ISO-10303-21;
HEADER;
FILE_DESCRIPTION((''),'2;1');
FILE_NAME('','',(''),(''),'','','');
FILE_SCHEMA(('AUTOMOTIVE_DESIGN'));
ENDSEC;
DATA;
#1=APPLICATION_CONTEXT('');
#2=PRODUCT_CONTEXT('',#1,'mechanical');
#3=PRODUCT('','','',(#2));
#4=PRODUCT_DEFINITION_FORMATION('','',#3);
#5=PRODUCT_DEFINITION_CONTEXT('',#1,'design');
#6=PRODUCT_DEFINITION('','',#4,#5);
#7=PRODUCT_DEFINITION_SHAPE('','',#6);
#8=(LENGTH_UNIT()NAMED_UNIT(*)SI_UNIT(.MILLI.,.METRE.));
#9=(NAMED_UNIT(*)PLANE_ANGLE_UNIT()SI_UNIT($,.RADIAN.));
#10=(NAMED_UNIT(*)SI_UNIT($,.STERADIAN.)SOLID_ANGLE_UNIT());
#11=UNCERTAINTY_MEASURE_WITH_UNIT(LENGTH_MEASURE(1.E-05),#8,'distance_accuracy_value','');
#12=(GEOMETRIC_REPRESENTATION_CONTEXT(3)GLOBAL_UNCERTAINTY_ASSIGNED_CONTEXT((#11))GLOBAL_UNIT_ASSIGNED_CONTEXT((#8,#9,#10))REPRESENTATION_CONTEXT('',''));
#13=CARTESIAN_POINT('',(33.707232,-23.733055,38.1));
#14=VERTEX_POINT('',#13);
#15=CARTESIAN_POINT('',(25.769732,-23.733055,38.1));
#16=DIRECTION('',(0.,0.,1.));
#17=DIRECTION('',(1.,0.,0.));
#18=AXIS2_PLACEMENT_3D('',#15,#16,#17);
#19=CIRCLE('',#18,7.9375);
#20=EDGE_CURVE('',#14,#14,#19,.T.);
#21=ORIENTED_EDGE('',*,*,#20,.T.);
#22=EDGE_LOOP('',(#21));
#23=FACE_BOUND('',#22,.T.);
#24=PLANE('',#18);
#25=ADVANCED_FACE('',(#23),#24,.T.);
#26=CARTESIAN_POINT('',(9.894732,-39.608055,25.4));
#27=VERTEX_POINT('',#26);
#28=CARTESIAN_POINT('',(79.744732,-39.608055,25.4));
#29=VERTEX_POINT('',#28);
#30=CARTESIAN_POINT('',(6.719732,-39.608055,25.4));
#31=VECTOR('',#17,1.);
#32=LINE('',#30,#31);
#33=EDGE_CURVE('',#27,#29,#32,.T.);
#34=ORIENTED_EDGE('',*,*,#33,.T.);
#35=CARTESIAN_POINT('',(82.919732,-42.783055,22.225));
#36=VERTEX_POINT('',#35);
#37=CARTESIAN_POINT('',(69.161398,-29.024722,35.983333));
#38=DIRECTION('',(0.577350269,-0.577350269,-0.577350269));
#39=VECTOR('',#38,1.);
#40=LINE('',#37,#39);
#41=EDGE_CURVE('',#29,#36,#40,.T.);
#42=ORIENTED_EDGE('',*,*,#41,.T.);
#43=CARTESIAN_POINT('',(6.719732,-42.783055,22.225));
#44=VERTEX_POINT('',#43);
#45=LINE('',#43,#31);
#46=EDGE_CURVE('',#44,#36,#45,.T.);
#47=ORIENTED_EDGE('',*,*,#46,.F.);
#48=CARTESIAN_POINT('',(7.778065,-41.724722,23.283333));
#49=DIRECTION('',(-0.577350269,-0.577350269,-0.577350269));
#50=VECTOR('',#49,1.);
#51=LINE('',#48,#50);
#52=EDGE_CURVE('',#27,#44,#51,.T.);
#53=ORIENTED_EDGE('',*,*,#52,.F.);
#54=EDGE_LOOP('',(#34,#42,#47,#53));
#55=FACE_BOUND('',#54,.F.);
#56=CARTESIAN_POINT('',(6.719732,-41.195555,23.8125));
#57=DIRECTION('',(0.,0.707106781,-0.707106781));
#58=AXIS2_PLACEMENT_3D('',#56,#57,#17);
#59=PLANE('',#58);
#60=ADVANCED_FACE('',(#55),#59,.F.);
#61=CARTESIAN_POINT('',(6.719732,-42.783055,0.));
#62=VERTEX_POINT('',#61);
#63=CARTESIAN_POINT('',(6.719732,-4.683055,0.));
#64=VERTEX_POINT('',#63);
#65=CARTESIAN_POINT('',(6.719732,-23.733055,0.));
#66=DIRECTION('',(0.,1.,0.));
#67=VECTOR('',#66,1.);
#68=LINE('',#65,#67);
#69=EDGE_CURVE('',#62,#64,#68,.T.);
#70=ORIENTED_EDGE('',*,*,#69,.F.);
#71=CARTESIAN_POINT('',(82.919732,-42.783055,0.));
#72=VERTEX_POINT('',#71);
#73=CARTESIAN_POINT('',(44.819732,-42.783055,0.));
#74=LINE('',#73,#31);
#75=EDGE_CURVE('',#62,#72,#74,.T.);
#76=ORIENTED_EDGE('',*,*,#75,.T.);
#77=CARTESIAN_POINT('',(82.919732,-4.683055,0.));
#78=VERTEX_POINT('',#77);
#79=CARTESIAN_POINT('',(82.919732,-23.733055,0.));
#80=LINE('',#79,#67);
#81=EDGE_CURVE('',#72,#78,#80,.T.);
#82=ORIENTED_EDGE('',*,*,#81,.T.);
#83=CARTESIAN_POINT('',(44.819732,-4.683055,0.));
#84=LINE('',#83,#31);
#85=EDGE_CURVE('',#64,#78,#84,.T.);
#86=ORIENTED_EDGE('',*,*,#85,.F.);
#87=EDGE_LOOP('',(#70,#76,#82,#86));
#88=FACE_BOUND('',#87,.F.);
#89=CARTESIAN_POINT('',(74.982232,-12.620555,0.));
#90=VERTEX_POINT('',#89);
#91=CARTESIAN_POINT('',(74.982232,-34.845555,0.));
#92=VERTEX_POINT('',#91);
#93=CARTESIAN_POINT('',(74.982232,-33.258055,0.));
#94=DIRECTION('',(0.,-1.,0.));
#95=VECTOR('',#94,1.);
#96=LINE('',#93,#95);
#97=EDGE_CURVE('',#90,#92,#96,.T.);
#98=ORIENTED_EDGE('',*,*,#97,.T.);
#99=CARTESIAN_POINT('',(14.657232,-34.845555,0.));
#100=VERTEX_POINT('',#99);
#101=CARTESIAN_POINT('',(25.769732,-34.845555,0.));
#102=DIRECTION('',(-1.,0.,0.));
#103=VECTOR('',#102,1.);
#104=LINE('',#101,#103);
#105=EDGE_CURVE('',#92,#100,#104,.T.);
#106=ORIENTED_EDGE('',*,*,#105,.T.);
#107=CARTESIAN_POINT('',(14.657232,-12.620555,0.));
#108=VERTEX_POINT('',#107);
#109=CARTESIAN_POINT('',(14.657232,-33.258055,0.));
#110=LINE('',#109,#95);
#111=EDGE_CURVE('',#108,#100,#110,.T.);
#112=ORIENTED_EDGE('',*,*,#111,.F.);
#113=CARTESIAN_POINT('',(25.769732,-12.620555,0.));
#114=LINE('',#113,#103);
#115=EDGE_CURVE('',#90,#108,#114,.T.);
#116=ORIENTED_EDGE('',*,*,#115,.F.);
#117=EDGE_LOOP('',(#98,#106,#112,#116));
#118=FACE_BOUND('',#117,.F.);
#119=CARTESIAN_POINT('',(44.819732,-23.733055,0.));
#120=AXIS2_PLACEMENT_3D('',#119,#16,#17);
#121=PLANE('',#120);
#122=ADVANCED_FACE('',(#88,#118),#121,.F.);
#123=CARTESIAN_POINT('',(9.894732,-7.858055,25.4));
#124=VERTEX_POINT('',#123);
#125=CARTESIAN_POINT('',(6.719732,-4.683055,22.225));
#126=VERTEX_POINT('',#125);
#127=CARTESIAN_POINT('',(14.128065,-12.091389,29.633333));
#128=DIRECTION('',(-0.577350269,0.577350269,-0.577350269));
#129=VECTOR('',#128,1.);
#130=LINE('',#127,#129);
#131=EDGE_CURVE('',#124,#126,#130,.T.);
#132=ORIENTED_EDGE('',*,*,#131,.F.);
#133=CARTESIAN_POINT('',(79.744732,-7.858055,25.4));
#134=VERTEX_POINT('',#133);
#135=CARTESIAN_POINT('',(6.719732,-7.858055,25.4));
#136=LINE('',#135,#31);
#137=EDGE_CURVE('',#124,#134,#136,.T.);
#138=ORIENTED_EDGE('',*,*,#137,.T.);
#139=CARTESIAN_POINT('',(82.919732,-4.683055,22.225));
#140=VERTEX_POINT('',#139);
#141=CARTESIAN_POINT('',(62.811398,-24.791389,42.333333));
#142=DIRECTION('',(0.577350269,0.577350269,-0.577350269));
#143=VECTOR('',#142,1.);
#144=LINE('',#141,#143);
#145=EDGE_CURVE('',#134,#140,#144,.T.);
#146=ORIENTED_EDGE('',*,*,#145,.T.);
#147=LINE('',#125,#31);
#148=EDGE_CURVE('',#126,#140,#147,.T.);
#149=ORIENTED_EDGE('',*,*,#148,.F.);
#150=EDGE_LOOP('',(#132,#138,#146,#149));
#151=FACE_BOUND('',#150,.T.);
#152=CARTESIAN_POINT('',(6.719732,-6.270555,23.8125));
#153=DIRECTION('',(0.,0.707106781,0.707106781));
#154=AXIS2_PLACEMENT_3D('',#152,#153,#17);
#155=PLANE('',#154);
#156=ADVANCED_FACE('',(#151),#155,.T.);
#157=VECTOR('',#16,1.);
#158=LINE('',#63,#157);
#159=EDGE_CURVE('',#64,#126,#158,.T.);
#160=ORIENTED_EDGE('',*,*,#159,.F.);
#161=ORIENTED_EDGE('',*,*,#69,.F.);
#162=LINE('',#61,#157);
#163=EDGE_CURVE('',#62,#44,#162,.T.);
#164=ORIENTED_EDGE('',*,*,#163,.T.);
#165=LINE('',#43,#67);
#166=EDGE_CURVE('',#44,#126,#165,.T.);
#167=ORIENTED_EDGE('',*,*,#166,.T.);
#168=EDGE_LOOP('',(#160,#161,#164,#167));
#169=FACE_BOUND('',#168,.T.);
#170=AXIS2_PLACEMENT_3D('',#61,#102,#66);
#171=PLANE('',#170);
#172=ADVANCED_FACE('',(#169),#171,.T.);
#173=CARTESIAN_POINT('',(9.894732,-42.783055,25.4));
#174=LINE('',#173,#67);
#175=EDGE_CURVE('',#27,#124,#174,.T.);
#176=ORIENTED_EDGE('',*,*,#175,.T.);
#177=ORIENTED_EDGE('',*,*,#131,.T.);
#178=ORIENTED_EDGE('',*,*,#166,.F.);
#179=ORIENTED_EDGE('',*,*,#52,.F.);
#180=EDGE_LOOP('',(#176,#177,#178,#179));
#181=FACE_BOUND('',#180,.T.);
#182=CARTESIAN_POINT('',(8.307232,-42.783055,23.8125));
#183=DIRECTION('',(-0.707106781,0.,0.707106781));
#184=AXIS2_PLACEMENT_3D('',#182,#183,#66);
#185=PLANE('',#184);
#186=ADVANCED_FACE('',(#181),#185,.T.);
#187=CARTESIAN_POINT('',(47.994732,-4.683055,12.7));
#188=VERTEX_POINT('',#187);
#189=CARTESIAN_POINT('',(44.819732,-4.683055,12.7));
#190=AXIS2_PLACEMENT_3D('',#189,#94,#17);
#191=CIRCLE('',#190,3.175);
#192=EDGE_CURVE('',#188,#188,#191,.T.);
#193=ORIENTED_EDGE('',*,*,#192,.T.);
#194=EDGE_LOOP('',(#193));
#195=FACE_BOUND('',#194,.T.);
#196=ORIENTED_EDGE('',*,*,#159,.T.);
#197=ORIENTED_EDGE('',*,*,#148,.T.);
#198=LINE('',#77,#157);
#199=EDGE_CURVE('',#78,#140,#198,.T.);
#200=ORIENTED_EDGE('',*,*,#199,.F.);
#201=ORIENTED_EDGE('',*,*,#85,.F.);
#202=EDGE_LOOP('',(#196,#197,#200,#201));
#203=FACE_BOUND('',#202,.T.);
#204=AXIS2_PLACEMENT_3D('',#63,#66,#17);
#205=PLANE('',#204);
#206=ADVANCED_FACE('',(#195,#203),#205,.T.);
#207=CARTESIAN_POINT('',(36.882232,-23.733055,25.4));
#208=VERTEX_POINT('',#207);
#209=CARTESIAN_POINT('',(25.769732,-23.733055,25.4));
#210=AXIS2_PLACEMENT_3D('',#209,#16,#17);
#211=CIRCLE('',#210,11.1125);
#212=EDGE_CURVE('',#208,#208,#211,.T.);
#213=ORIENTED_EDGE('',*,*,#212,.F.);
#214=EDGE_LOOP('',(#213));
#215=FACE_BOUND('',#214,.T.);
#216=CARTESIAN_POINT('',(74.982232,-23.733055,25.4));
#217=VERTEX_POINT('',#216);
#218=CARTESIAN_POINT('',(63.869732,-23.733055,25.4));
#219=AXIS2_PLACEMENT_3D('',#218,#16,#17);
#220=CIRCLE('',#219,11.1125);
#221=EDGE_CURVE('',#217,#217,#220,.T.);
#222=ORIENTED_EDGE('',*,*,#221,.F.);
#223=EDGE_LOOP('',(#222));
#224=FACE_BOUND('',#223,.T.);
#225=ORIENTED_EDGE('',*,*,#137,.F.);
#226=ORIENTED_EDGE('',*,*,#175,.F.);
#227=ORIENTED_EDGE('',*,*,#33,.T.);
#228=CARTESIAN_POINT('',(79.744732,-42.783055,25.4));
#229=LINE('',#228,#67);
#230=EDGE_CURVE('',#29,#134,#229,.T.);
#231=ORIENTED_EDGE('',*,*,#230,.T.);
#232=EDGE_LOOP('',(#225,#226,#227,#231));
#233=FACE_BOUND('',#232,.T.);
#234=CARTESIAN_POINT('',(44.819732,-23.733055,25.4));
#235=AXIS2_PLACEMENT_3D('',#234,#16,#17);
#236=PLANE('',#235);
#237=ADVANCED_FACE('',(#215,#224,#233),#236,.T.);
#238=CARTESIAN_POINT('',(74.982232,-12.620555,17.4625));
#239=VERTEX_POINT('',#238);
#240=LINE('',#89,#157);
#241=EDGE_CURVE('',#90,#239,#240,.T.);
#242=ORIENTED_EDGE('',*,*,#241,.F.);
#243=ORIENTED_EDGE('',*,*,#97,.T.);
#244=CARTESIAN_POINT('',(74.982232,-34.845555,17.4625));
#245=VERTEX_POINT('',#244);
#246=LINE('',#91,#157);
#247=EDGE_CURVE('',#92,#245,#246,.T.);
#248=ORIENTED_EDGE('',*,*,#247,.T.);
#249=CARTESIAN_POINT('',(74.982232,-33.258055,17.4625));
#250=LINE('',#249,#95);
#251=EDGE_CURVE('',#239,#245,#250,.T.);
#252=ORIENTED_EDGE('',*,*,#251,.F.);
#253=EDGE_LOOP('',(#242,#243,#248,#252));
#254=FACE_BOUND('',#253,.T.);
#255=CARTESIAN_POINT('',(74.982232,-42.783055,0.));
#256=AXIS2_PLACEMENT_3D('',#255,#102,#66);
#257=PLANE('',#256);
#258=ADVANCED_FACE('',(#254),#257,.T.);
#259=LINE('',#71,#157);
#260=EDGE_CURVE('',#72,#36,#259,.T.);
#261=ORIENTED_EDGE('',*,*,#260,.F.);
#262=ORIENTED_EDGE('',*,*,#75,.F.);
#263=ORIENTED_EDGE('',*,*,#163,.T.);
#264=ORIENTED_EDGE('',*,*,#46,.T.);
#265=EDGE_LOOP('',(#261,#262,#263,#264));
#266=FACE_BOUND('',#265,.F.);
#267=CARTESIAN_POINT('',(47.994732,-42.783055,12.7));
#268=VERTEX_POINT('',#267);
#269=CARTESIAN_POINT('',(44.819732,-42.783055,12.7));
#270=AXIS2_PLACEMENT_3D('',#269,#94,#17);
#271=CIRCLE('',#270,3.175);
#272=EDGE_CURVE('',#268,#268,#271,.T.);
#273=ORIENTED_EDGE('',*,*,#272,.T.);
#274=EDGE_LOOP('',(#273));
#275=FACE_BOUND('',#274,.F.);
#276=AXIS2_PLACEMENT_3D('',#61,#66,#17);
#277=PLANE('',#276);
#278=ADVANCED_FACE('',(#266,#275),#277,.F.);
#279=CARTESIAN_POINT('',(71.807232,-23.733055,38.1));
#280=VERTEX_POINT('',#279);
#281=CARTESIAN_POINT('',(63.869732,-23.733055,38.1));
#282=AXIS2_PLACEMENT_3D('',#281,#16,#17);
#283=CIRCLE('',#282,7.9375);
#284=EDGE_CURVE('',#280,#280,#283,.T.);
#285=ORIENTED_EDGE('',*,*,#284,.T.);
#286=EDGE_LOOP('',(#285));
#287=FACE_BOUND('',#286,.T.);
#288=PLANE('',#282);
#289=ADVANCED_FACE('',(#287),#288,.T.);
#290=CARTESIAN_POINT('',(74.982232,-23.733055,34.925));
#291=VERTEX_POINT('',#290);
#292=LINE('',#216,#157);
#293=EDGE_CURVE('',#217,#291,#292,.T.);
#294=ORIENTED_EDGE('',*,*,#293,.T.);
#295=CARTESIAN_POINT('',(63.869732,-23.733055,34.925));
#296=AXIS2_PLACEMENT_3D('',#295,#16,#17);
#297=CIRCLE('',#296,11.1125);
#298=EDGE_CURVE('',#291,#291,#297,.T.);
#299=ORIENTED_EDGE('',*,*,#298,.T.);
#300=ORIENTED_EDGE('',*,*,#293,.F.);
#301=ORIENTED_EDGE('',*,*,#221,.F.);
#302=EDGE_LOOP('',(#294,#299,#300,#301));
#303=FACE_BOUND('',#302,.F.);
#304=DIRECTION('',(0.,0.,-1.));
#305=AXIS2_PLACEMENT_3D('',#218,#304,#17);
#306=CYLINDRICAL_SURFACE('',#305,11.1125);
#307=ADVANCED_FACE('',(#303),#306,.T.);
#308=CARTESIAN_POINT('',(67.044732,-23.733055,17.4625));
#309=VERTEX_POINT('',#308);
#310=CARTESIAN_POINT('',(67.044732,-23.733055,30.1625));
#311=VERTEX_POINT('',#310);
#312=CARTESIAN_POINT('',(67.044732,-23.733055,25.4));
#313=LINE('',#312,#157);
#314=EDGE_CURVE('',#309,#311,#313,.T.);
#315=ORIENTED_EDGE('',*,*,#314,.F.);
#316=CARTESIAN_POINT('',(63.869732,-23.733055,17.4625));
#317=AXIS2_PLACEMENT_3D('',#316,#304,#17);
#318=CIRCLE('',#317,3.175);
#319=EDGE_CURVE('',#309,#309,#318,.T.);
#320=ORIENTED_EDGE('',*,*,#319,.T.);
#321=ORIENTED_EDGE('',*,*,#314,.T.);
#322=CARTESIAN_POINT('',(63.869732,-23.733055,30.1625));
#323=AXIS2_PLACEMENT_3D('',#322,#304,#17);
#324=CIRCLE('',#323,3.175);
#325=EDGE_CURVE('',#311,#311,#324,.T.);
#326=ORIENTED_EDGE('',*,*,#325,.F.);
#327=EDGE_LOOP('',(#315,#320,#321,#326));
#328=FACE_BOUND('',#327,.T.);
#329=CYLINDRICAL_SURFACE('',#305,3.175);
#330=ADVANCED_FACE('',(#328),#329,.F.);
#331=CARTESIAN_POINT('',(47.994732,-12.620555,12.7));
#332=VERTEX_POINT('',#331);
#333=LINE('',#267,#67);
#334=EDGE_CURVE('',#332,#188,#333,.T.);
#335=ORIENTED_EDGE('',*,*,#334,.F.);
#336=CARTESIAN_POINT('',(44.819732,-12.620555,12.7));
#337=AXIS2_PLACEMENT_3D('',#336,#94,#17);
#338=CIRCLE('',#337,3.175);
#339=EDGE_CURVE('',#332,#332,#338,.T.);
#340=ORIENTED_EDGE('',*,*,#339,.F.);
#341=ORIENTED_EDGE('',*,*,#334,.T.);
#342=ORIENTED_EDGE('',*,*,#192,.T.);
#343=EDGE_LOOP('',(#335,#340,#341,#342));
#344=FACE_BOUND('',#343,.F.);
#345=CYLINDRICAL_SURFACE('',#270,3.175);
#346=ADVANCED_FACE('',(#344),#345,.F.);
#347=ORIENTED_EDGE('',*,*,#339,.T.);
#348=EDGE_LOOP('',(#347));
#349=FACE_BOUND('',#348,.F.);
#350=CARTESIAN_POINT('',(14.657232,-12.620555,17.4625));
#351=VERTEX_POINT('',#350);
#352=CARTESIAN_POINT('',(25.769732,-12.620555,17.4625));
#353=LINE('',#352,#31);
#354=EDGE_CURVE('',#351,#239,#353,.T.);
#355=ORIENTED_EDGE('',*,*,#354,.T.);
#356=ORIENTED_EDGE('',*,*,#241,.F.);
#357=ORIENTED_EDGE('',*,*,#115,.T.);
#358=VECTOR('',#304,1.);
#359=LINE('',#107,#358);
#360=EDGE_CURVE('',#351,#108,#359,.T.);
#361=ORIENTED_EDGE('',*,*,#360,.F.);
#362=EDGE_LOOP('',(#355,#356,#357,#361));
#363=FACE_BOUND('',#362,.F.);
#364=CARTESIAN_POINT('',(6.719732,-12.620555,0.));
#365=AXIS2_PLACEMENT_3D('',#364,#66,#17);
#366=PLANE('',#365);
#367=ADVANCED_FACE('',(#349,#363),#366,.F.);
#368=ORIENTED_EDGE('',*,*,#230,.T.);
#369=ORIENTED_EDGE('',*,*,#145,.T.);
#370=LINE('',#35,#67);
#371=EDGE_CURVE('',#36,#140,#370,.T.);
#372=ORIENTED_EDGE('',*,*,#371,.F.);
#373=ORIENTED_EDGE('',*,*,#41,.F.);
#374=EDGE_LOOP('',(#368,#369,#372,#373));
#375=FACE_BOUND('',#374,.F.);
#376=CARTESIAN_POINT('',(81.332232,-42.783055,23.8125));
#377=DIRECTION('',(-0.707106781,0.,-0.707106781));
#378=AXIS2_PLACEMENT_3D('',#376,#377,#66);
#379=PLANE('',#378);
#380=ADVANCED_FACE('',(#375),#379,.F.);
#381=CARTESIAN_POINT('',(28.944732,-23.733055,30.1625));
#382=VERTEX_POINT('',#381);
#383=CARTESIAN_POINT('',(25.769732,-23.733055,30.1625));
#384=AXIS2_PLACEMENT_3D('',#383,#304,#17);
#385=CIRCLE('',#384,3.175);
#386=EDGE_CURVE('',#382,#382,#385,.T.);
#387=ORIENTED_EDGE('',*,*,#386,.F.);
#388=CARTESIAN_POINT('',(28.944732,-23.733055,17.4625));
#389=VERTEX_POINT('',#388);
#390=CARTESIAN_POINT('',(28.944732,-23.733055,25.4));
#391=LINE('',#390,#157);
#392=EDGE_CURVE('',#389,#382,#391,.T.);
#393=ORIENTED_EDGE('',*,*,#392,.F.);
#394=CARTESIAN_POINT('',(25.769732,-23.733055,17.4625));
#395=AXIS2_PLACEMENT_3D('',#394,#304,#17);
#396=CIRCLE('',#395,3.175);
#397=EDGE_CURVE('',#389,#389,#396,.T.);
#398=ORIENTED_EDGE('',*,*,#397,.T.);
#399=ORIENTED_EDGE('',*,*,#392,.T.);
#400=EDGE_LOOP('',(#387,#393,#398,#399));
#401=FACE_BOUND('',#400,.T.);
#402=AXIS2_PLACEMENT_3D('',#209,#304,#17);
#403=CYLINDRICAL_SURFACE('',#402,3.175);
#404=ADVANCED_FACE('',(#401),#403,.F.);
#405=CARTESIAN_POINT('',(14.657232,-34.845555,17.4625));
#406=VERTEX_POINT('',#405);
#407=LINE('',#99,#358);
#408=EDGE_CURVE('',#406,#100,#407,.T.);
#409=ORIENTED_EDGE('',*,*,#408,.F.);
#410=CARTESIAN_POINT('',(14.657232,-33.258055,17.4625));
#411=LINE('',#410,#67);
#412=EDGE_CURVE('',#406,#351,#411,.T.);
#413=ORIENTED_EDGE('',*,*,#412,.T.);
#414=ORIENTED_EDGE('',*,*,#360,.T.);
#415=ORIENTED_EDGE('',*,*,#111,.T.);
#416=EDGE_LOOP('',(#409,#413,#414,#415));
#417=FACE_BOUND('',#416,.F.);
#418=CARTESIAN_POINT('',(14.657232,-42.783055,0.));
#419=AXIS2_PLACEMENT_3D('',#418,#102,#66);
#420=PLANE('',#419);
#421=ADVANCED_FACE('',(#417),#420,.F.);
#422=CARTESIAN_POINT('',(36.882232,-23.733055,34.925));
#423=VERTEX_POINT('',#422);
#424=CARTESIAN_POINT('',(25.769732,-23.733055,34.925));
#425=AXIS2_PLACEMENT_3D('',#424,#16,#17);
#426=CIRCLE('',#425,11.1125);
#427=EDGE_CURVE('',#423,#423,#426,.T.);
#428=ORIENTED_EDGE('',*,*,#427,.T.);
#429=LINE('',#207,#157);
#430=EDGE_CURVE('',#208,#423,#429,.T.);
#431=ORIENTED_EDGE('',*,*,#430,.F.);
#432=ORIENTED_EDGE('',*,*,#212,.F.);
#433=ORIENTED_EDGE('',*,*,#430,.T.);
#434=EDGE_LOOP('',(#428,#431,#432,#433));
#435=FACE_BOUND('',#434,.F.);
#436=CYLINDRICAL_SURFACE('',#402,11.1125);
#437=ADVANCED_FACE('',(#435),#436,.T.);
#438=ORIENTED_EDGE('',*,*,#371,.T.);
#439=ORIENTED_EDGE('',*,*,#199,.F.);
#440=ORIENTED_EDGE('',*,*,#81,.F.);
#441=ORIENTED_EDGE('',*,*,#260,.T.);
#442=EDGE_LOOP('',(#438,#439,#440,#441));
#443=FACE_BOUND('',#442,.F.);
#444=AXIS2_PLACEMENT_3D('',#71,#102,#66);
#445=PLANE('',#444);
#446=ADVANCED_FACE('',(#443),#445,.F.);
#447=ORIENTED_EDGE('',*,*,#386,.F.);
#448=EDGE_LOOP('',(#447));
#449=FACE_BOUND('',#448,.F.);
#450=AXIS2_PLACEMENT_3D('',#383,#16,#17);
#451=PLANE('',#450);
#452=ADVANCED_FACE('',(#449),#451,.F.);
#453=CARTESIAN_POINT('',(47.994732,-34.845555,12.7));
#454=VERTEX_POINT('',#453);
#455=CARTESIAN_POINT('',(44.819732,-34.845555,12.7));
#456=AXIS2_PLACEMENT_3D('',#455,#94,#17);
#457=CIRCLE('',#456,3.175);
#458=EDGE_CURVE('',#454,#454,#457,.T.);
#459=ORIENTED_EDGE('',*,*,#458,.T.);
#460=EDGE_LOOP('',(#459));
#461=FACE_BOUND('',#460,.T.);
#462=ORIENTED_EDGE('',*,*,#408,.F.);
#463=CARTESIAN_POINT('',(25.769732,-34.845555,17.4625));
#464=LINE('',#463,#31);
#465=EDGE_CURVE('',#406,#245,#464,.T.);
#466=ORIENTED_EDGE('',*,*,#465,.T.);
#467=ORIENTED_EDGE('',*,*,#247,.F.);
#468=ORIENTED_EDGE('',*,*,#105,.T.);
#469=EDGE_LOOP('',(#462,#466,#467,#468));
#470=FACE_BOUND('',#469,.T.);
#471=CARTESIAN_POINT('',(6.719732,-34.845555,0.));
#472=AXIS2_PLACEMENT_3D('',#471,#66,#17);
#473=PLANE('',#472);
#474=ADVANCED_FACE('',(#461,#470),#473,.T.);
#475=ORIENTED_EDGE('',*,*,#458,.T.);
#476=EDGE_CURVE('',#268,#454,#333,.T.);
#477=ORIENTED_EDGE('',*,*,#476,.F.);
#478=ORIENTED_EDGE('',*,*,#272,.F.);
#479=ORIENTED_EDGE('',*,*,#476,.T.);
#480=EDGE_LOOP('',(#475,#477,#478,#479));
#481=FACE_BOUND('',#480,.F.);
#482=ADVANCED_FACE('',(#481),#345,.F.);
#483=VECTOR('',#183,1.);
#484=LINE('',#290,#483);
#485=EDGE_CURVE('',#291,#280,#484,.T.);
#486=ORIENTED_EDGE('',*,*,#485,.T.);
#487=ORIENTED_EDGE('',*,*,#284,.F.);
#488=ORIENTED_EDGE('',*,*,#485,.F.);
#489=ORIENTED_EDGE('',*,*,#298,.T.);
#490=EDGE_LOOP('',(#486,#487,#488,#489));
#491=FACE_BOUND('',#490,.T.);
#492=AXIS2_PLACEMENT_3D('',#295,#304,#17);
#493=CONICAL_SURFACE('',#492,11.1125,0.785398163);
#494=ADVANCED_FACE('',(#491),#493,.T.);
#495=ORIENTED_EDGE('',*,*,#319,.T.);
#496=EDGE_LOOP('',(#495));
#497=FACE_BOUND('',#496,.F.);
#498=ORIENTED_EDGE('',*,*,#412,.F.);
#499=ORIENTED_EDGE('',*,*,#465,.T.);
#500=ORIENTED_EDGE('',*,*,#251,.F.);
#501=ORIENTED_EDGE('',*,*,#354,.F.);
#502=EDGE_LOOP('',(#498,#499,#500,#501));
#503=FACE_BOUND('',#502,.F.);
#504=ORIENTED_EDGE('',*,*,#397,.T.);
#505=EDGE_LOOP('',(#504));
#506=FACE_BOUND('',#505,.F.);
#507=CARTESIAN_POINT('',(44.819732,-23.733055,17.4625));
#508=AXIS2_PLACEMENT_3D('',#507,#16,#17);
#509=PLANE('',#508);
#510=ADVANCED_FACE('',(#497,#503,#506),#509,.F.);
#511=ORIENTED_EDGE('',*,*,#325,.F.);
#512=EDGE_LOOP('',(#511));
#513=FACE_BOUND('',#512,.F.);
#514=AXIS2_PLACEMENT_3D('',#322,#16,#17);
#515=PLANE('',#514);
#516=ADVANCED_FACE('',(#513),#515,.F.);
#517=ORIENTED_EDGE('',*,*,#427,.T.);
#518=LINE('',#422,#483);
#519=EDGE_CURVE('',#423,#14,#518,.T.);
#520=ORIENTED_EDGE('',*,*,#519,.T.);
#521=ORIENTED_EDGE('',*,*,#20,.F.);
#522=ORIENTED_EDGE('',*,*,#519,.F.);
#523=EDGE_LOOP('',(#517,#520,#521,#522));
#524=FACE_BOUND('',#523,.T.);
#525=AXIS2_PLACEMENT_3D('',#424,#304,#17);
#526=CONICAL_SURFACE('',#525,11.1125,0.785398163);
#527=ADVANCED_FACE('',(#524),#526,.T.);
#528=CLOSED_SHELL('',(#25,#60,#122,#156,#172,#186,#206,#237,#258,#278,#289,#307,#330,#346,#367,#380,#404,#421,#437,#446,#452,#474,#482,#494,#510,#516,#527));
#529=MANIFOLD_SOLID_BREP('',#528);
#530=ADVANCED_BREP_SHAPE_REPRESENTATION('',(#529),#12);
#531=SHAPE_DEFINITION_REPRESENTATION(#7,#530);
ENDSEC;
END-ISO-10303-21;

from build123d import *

# Parameters (mm, degrees)
F0_W     = 76.2
F0_H     = 38.1
F1_DEPTH = 25.4
F2_R     = 11.1125
F3_DEPTH = 12.7
F4_T     = -7.9375
F5_R     = 3.175
F6_DEPTH = 38.1
F7_SIZE2 = 3.175
F7_SIZE  = 3.175
F8_SIZE2 = 3.175
F8_SIZE  = 3.175


with BuildPart() as f1:
    # F0 (on Top) → F1 (new body)
    with BuildSketch(Plane.XY):
        with Locations((44.8197317362, -23.7330554545)):
            Rectangle(F0_W, F0_H)
    extrude(amount=F1_DEPTH)

    # F2 (on face) → F3 (join)
    with BuildSketch(Plane.XY.offset(25.4)):
        with Locations((63.8697317362, -23.7330554545)):
            Circle(F2_R)
        with Locations((25.7697317362, -23.7330554545)):
            Circle(F2_R)
    extrude(amount=F3_DEPTH)

    # F4
    f4_openings = [f1.faces().sort_by_distance(p)[0] for p in [
        (44.819732, -23.733055, 0),
    ]]
    offset(amount=F4_T, openings=f4_openings, kind=Kind.INTERSECTION)

    # F5 (on face) → F6 (cut)
    with BuildSketch(Plane.XZ.offset(42.7830554545)):
        with Locations((44.8197317362, 12.7)):
            Circle(F5_R)
    extrude(amount=-F6_DEPTH, mode=Mode.SUBTRACT)

    # F7
    f7_edges = [f1.edges().sort_by_distance(p)[0] for p in [
        (14.657232, -23.733055, 38.1),
        (52.757232, -23.733055, 38.1),
    ]]
    chamfer(f7_edges, length=F7_SIZE, length2=F7_SIZE2)

    # F8
    f8_edges = [f1.edges().sort_by_distance(p)[0] for p in [
        (44.819732, -4.683055, 25.4),
        (82.919732, -23.733055, 25.4),
        (44.819732, -42.783055, 25.4),
        (6.719732, -23.733055, 25.4),
    ]]
    chamfer(f8_edges, length=F8_SIZE, length2=F8_SIZE2)


solid = f1.part
